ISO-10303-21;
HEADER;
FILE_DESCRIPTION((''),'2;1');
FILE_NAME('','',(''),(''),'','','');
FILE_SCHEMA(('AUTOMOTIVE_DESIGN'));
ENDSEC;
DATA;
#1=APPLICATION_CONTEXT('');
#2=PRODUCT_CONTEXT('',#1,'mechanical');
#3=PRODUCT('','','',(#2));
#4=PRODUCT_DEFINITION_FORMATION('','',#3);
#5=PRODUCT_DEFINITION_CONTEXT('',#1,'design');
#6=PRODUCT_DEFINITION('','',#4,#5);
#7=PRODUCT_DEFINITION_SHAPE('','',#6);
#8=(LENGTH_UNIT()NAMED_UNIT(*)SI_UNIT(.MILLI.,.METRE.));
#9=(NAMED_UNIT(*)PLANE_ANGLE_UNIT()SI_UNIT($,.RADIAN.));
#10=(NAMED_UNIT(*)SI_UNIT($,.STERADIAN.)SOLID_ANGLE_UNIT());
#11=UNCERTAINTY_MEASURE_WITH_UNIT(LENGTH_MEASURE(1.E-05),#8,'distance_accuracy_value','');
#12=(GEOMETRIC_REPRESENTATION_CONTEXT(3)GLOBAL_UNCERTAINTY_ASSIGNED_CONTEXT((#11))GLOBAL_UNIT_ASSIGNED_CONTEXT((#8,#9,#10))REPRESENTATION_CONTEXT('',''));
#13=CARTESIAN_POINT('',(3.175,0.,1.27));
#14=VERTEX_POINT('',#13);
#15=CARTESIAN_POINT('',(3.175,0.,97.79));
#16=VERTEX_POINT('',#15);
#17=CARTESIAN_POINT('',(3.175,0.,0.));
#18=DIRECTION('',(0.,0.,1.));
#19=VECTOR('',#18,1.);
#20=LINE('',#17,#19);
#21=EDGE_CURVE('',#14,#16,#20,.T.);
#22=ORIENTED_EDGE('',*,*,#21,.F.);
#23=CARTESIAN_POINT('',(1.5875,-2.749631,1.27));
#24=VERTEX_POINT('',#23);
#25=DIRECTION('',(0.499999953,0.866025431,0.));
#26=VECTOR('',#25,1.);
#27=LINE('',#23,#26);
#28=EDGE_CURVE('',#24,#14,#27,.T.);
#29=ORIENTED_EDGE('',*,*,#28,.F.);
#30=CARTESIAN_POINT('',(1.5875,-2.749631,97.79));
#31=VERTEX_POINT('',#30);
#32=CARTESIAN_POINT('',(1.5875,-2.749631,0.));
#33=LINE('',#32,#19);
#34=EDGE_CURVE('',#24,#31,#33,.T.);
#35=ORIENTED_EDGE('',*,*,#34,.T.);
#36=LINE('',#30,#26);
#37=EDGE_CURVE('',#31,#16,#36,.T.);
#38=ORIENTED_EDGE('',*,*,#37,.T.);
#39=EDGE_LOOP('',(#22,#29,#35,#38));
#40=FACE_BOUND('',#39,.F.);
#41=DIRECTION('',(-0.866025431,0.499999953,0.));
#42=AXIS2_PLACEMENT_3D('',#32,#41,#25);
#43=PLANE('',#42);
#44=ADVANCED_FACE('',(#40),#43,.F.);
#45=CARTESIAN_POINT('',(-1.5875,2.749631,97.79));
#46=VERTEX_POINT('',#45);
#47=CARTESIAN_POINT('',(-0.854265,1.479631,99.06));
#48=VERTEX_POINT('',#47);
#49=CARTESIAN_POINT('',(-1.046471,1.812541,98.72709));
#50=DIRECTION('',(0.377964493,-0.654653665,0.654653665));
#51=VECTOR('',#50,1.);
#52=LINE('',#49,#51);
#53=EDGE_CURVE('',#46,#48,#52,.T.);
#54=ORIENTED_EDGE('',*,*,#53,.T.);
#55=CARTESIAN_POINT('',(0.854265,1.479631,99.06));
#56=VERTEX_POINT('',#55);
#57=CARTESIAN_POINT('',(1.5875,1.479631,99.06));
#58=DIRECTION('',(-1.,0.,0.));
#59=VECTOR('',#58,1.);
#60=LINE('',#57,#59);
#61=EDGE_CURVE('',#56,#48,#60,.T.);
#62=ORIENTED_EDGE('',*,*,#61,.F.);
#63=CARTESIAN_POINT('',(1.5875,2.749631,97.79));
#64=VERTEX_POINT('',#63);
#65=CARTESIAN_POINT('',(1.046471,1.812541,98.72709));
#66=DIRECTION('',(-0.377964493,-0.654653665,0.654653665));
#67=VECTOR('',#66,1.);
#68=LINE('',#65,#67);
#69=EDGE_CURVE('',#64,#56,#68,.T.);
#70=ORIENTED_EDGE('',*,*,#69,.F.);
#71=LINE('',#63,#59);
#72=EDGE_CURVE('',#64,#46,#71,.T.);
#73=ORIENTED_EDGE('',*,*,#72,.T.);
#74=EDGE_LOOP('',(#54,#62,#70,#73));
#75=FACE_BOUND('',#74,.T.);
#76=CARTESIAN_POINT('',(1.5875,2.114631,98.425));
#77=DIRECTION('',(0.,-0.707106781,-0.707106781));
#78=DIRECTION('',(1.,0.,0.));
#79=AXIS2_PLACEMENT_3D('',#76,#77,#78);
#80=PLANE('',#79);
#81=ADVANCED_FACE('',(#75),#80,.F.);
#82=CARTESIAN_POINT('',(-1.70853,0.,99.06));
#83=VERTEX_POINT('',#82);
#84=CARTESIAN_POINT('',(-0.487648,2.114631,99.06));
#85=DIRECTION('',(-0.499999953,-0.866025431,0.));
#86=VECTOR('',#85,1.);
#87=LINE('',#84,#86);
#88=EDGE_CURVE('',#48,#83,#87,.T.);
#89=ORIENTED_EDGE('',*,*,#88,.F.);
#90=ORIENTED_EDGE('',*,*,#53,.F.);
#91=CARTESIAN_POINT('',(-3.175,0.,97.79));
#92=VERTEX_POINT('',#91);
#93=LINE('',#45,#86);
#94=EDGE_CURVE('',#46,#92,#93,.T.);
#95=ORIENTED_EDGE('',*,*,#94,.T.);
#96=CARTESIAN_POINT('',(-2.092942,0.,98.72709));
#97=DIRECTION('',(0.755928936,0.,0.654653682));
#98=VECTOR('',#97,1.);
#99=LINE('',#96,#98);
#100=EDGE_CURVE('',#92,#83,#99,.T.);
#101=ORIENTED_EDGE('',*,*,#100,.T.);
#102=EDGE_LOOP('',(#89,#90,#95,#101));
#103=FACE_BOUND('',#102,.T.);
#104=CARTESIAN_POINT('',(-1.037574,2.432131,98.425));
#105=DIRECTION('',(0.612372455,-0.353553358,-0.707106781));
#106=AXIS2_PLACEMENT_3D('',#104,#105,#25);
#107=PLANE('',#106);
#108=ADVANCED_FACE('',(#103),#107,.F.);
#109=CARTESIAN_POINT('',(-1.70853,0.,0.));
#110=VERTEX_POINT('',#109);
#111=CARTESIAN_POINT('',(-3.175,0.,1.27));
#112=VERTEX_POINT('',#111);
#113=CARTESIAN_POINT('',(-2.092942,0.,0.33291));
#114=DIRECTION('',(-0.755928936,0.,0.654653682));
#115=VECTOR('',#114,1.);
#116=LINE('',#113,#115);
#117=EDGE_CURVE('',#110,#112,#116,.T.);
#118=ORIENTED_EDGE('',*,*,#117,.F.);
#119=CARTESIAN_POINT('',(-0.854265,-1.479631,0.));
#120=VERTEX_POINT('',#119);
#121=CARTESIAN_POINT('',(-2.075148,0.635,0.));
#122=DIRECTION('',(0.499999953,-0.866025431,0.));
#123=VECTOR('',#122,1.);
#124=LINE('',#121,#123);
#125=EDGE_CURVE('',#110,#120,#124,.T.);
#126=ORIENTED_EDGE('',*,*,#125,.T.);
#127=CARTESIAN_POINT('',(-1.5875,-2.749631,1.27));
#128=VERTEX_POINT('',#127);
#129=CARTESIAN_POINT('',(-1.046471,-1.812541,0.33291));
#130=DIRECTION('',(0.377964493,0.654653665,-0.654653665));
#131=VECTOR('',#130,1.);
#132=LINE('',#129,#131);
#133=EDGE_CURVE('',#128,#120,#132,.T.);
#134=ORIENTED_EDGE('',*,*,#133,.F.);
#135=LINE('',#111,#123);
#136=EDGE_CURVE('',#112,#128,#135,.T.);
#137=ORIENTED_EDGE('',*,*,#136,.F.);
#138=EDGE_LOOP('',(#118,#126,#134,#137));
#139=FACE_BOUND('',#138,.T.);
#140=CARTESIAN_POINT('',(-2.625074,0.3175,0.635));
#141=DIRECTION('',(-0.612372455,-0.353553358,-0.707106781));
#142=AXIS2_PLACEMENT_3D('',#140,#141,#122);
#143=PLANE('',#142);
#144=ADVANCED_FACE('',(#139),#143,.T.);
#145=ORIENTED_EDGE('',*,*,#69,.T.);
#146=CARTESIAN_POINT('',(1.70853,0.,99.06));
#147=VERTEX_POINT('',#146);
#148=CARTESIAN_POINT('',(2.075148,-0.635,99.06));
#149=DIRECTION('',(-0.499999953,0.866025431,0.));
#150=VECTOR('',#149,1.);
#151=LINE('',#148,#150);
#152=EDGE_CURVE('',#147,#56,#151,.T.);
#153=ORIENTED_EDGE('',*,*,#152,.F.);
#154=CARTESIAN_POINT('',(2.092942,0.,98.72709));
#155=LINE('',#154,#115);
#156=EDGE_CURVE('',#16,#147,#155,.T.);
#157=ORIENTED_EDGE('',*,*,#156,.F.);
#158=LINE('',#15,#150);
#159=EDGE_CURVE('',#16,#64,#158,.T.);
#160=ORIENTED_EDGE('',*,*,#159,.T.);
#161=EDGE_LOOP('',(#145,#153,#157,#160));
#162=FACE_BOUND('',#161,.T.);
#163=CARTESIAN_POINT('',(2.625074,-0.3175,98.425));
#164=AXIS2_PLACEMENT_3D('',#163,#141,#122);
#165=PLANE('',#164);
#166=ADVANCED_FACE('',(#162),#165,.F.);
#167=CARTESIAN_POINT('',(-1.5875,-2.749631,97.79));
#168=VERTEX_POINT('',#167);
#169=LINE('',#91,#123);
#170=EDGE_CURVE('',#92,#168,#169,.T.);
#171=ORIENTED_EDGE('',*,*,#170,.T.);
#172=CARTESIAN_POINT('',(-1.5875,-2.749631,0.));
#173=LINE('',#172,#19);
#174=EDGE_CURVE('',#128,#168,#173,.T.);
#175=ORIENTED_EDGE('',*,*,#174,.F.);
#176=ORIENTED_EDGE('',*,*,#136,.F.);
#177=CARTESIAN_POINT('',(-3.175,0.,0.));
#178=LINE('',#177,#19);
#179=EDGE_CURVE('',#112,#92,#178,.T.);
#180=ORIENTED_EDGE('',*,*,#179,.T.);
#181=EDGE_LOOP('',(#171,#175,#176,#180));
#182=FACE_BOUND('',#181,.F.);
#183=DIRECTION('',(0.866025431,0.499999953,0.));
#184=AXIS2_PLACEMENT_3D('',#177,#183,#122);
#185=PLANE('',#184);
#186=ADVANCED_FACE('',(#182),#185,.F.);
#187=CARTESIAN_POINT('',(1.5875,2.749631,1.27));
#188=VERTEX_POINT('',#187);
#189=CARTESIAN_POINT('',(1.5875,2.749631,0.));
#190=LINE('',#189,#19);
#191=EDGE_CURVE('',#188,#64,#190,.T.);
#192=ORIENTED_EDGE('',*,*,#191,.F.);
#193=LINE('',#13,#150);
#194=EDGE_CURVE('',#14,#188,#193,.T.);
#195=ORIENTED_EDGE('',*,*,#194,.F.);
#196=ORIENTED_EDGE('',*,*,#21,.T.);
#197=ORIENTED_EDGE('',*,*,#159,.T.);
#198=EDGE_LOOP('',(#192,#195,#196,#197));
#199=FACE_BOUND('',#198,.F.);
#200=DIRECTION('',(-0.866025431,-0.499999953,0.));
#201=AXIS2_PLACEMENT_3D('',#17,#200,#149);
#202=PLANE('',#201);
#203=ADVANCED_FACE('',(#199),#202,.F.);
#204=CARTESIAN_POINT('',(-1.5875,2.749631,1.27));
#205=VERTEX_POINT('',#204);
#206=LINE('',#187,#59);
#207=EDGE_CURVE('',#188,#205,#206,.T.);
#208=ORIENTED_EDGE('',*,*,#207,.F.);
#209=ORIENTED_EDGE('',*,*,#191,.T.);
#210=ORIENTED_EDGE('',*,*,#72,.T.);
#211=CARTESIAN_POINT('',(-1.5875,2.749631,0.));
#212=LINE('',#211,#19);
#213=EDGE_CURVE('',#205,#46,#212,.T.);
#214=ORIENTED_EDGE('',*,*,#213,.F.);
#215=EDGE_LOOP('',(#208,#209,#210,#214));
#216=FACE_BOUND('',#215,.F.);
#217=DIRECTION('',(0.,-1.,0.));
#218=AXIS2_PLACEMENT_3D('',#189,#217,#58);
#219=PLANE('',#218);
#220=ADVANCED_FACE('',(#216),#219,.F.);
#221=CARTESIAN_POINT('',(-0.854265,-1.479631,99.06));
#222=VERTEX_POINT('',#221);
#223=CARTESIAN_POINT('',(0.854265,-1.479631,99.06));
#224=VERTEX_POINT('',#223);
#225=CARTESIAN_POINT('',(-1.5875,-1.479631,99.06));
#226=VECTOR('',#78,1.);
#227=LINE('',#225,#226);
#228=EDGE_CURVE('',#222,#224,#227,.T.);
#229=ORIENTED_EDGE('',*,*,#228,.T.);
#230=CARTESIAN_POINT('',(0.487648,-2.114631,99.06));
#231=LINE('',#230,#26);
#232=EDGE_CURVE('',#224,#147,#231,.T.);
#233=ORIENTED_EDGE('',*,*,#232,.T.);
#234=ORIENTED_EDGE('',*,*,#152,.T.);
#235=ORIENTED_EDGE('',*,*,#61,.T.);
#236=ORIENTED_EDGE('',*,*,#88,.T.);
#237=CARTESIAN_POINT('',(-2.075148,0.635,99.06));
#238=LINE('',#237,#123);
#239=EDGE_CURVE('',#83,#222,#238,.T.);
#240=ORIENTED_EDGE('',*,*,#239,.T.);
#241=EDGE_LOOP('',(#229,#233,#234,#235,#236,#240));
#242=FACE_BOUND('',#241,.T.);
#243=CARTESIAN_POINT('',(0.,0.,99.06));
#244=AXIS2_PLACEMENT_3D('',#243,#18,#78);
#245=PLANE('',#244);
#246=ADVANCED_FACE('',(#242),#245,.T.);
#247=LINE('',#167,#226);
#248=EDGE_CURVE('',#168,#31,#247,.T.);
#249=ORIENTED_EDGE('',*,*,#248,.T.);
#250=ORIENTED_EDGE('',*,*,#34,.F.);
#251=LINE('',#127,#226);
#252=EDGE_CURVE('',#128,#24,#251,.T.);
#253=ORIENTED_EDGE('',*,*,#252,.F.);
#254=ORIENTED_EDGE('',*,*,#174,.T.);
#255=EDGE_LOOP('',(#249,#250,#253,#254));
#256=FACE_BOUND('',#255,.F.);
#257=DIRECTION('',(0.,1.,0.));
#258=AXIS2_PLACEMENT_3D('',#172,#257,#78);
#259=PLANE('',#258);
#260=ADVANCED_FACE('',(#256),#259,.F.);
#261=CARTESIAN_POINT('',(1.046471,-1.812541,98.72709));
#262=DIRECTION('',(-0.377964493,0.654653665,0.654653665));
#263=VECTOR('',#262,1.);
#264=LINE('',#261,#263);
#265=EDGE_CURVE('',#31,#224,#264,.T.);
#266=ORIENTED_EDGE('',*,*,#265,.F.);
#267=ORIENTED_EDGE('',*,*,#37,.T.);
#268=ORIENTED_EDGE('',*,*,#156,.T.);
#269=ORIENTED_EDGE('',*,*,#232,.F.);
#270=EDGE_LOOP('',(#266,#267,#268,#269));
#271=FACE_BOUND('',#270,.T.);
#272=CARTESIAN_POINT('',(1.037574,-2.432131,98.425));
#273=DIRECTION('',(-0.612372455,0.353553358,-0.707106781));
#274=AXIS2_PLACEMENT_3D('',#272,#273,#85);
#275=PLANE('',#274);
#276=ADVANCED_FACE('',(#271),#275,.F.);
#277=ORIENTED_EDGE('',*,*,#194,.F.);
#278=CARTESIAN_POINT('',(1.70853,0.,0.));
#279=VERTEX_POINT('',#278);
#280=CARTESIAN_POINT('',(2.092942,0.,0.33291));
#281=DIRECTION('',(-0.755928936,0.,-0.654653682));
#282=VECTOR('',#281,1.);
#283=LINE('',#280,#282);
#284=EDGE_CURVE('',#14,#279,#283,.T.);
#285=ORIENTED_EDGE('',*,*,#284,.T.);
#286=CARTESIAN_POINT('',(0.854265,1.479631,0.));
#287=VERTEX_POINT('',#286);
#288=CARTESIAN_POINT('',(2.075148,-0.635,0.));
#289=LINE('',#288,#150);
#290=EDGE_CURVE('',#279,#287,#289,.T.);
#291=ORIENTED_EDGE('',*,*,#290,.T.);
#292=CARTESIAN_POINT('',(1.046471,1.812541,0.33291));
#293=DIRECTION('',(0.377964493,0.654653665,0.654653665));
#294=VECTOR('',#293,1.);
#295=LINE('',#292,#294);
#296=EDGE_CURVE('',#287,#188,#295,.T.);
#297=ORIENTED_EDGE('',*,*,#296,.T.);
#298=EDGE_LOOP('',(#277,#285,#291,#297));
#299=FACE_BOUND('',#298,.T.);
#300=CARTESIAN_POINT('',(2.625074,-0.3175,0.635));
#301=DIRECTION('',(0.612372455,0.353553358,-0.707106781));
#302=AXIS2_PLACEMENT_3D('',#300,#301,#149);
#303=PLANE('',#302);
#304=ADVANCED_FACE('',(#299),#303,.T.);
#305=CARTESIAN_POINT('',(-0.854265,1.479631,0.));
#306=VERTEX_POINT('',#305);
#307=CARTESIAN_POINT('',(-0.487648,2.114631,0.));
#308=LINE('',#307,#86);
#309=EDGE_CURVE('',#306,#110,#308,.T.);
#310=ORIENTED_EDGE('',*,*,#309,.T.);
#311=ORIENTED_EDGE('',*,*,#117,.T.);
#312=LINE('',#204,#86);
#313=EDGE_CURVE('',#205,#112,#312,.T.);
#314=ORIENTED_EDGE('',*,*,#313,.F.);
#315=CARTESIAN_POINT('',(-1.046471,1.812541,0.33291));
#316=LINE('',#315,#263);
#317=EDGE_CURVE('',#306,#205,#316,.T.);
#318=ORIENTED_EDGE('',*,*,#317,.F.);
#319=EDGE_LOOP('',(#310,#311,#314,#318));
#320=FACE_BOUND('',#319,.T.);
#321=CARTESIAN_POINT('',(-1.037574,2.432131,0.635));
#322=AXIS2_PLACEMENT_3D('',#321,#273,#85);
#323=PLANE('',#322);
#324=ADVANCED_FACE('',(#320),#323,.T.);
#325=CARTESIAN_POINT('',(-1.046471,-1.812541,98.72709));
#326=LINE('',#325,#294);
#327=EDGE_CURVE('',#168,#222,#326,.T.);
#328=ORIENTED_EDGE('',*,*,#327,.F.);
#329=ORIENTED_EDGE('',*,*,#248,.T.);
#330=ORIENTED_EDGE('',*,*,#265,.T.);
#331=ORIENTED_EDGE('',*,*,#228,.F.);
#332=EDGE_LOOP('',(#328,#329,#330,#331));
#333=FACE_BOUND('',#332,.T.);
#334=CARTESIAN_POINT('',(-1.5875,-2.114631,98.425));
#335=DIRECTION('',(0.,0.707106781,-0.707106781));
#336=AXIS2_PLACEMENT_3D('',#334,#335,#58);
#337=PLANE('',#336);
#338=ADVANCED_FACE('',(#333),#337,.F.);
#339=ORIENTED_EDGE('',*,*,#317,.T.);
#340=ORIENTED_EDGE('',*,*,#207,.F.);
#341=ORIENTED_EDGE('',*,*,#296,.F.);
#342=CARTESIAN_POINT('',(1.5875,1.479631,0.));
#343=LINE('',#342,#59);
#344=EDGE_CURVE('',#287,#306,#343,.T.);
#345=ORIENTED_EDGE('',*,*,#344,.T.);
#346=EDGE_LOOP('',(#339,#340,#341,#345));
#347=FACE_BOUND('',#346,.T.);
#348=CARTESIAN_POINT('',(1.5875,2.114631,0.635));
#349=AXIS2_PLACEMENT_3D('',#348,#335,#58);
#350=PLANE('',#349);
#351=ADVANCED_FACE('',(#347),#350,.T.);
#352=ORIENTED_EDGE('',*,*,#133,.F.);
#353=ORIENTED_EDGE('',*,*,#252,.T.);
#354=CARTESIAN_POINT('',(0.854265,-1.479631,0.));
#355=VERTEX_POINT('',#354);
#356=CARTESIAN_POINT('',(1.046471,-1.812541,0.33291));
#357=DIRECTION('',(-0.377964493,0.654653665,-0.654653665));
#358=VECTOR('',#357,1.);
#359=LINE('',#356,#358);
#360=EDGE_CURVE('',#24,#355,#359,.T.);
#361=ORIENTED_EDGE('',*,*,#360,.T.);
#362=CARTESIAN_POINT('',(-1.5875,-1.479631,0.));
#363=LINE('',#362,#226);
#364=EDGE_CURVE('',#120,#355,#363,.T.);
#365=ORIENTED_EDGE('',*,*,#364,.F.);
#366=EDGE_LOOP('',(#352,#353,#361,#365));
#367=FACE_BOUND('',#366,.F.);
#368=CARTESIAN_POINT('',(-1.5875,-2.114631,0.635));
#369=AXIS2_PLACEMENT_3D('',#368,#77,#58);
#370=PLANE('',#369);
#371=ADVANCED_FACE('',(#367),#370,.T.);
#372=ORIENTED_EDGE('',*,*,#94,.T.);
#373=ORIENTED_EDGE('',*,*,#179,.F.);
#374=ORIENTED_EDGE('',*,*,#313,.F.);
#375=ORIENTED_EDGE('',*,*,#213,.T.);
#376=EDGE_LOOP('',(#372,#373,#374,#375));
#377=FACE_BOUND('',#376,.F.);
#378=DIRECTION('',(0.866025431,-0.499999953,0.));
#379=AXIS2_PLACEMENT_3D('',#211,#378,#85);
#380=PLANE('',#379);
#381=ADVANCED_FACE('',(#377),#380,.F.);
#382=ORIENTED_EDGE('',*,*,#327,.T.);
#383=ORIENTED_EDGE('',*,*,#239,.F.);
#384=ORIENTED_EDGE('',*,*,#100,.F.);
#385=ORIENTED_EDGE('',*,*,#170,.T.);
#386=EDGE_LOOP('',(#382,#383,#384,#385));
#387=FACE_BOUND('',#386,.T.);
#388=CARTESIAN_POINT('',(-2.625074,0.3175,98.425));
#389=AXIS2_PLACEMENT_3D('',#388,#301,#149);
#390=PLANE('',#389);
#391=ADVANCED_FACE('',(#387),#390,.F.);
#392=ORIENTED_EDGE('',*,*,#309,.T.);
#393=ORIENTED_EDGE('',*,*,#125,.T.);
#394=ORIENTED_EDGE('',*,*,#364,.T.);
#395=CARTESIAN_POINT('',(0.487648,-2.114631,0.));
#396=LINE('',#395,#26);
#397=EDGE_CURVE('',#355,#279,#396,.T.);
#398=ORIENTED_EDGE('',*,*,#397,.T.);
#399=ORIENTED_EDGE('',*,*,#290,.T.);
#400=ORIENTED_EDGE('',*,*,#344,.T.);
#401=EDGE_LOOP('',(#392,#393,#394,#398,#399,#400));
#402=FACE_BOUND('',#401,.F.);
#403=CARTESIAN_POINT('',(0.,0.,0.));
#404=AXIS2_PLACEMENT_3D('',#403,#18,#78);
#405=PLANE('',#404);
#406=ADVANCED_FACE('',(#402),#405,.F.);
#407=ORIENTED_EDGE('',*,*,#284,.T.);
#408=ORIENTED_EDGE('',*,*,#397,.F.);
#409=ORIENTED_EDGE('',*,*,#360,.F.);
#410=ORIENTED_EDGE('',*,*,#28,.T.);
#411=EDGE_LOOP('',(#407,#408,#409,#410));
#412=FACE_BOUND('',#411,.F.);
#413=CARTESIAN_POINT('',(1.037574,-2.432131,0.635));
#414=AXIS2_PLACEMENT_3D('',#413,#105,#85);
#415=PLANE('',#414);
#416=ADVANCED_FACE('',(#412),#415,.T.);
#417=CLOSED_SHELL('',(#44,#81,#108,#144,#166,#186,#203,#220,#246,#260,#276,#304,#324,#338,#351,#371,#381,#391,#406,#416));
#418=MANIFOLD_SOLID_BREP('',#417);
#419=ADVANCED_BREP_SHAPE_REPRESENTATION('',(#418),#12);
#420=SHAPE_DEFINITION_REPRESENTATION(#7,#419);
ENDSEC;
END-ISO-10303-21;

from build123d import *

# Parameters (mm, degrees)
F1_DEPTH = 99.06
F2_SIZE  = 1.27
F3_SIZE  = 1.27


with BuildPart() as f1:
    # F0 (on Top) → F1 (new body)
    with BuildSketch(Plane.XY):
        Polygon((1.5875, -2.749631), (3.175, 0), (1.5875, 2.749631), (-1.5875, 2.749631), (-3.175, 0), (-1.5875, -2.749631), align=None)
    extrude(amount=F1_DEPTH)

    # F2
    f2_edges = [f1.edges().sort_by_distance(p)[0] for p in [
        (0, -2.749631, 99.06),
        (2.38125, -1.374815, 99.06),
        (2.38125, 1.374815, 99.06),
        (0, 2.749631, 99.06),
        (-2.38125, 1.374815, 99.06),
        (-2.38125, -1.374815, 99.06),
    ]]
    chamfer(f2_edges, length=F2_SIZE)

    # F3
    f3_edges = [f1.edges().sort_by_distance(p)[0] for p in [
        (0, -2.749631, 0),
        (2.38125, -1.374815, 0),
        (2.38125, 1.374815, 0),
        (0, 2.749631, 0),
        (-2.38125, 1.374815, 0),
        (-2.38125, -1.374815, 0),
    ]]
    chamfer(f3_edges, length=F3_SIZE)


solid = f1.part
